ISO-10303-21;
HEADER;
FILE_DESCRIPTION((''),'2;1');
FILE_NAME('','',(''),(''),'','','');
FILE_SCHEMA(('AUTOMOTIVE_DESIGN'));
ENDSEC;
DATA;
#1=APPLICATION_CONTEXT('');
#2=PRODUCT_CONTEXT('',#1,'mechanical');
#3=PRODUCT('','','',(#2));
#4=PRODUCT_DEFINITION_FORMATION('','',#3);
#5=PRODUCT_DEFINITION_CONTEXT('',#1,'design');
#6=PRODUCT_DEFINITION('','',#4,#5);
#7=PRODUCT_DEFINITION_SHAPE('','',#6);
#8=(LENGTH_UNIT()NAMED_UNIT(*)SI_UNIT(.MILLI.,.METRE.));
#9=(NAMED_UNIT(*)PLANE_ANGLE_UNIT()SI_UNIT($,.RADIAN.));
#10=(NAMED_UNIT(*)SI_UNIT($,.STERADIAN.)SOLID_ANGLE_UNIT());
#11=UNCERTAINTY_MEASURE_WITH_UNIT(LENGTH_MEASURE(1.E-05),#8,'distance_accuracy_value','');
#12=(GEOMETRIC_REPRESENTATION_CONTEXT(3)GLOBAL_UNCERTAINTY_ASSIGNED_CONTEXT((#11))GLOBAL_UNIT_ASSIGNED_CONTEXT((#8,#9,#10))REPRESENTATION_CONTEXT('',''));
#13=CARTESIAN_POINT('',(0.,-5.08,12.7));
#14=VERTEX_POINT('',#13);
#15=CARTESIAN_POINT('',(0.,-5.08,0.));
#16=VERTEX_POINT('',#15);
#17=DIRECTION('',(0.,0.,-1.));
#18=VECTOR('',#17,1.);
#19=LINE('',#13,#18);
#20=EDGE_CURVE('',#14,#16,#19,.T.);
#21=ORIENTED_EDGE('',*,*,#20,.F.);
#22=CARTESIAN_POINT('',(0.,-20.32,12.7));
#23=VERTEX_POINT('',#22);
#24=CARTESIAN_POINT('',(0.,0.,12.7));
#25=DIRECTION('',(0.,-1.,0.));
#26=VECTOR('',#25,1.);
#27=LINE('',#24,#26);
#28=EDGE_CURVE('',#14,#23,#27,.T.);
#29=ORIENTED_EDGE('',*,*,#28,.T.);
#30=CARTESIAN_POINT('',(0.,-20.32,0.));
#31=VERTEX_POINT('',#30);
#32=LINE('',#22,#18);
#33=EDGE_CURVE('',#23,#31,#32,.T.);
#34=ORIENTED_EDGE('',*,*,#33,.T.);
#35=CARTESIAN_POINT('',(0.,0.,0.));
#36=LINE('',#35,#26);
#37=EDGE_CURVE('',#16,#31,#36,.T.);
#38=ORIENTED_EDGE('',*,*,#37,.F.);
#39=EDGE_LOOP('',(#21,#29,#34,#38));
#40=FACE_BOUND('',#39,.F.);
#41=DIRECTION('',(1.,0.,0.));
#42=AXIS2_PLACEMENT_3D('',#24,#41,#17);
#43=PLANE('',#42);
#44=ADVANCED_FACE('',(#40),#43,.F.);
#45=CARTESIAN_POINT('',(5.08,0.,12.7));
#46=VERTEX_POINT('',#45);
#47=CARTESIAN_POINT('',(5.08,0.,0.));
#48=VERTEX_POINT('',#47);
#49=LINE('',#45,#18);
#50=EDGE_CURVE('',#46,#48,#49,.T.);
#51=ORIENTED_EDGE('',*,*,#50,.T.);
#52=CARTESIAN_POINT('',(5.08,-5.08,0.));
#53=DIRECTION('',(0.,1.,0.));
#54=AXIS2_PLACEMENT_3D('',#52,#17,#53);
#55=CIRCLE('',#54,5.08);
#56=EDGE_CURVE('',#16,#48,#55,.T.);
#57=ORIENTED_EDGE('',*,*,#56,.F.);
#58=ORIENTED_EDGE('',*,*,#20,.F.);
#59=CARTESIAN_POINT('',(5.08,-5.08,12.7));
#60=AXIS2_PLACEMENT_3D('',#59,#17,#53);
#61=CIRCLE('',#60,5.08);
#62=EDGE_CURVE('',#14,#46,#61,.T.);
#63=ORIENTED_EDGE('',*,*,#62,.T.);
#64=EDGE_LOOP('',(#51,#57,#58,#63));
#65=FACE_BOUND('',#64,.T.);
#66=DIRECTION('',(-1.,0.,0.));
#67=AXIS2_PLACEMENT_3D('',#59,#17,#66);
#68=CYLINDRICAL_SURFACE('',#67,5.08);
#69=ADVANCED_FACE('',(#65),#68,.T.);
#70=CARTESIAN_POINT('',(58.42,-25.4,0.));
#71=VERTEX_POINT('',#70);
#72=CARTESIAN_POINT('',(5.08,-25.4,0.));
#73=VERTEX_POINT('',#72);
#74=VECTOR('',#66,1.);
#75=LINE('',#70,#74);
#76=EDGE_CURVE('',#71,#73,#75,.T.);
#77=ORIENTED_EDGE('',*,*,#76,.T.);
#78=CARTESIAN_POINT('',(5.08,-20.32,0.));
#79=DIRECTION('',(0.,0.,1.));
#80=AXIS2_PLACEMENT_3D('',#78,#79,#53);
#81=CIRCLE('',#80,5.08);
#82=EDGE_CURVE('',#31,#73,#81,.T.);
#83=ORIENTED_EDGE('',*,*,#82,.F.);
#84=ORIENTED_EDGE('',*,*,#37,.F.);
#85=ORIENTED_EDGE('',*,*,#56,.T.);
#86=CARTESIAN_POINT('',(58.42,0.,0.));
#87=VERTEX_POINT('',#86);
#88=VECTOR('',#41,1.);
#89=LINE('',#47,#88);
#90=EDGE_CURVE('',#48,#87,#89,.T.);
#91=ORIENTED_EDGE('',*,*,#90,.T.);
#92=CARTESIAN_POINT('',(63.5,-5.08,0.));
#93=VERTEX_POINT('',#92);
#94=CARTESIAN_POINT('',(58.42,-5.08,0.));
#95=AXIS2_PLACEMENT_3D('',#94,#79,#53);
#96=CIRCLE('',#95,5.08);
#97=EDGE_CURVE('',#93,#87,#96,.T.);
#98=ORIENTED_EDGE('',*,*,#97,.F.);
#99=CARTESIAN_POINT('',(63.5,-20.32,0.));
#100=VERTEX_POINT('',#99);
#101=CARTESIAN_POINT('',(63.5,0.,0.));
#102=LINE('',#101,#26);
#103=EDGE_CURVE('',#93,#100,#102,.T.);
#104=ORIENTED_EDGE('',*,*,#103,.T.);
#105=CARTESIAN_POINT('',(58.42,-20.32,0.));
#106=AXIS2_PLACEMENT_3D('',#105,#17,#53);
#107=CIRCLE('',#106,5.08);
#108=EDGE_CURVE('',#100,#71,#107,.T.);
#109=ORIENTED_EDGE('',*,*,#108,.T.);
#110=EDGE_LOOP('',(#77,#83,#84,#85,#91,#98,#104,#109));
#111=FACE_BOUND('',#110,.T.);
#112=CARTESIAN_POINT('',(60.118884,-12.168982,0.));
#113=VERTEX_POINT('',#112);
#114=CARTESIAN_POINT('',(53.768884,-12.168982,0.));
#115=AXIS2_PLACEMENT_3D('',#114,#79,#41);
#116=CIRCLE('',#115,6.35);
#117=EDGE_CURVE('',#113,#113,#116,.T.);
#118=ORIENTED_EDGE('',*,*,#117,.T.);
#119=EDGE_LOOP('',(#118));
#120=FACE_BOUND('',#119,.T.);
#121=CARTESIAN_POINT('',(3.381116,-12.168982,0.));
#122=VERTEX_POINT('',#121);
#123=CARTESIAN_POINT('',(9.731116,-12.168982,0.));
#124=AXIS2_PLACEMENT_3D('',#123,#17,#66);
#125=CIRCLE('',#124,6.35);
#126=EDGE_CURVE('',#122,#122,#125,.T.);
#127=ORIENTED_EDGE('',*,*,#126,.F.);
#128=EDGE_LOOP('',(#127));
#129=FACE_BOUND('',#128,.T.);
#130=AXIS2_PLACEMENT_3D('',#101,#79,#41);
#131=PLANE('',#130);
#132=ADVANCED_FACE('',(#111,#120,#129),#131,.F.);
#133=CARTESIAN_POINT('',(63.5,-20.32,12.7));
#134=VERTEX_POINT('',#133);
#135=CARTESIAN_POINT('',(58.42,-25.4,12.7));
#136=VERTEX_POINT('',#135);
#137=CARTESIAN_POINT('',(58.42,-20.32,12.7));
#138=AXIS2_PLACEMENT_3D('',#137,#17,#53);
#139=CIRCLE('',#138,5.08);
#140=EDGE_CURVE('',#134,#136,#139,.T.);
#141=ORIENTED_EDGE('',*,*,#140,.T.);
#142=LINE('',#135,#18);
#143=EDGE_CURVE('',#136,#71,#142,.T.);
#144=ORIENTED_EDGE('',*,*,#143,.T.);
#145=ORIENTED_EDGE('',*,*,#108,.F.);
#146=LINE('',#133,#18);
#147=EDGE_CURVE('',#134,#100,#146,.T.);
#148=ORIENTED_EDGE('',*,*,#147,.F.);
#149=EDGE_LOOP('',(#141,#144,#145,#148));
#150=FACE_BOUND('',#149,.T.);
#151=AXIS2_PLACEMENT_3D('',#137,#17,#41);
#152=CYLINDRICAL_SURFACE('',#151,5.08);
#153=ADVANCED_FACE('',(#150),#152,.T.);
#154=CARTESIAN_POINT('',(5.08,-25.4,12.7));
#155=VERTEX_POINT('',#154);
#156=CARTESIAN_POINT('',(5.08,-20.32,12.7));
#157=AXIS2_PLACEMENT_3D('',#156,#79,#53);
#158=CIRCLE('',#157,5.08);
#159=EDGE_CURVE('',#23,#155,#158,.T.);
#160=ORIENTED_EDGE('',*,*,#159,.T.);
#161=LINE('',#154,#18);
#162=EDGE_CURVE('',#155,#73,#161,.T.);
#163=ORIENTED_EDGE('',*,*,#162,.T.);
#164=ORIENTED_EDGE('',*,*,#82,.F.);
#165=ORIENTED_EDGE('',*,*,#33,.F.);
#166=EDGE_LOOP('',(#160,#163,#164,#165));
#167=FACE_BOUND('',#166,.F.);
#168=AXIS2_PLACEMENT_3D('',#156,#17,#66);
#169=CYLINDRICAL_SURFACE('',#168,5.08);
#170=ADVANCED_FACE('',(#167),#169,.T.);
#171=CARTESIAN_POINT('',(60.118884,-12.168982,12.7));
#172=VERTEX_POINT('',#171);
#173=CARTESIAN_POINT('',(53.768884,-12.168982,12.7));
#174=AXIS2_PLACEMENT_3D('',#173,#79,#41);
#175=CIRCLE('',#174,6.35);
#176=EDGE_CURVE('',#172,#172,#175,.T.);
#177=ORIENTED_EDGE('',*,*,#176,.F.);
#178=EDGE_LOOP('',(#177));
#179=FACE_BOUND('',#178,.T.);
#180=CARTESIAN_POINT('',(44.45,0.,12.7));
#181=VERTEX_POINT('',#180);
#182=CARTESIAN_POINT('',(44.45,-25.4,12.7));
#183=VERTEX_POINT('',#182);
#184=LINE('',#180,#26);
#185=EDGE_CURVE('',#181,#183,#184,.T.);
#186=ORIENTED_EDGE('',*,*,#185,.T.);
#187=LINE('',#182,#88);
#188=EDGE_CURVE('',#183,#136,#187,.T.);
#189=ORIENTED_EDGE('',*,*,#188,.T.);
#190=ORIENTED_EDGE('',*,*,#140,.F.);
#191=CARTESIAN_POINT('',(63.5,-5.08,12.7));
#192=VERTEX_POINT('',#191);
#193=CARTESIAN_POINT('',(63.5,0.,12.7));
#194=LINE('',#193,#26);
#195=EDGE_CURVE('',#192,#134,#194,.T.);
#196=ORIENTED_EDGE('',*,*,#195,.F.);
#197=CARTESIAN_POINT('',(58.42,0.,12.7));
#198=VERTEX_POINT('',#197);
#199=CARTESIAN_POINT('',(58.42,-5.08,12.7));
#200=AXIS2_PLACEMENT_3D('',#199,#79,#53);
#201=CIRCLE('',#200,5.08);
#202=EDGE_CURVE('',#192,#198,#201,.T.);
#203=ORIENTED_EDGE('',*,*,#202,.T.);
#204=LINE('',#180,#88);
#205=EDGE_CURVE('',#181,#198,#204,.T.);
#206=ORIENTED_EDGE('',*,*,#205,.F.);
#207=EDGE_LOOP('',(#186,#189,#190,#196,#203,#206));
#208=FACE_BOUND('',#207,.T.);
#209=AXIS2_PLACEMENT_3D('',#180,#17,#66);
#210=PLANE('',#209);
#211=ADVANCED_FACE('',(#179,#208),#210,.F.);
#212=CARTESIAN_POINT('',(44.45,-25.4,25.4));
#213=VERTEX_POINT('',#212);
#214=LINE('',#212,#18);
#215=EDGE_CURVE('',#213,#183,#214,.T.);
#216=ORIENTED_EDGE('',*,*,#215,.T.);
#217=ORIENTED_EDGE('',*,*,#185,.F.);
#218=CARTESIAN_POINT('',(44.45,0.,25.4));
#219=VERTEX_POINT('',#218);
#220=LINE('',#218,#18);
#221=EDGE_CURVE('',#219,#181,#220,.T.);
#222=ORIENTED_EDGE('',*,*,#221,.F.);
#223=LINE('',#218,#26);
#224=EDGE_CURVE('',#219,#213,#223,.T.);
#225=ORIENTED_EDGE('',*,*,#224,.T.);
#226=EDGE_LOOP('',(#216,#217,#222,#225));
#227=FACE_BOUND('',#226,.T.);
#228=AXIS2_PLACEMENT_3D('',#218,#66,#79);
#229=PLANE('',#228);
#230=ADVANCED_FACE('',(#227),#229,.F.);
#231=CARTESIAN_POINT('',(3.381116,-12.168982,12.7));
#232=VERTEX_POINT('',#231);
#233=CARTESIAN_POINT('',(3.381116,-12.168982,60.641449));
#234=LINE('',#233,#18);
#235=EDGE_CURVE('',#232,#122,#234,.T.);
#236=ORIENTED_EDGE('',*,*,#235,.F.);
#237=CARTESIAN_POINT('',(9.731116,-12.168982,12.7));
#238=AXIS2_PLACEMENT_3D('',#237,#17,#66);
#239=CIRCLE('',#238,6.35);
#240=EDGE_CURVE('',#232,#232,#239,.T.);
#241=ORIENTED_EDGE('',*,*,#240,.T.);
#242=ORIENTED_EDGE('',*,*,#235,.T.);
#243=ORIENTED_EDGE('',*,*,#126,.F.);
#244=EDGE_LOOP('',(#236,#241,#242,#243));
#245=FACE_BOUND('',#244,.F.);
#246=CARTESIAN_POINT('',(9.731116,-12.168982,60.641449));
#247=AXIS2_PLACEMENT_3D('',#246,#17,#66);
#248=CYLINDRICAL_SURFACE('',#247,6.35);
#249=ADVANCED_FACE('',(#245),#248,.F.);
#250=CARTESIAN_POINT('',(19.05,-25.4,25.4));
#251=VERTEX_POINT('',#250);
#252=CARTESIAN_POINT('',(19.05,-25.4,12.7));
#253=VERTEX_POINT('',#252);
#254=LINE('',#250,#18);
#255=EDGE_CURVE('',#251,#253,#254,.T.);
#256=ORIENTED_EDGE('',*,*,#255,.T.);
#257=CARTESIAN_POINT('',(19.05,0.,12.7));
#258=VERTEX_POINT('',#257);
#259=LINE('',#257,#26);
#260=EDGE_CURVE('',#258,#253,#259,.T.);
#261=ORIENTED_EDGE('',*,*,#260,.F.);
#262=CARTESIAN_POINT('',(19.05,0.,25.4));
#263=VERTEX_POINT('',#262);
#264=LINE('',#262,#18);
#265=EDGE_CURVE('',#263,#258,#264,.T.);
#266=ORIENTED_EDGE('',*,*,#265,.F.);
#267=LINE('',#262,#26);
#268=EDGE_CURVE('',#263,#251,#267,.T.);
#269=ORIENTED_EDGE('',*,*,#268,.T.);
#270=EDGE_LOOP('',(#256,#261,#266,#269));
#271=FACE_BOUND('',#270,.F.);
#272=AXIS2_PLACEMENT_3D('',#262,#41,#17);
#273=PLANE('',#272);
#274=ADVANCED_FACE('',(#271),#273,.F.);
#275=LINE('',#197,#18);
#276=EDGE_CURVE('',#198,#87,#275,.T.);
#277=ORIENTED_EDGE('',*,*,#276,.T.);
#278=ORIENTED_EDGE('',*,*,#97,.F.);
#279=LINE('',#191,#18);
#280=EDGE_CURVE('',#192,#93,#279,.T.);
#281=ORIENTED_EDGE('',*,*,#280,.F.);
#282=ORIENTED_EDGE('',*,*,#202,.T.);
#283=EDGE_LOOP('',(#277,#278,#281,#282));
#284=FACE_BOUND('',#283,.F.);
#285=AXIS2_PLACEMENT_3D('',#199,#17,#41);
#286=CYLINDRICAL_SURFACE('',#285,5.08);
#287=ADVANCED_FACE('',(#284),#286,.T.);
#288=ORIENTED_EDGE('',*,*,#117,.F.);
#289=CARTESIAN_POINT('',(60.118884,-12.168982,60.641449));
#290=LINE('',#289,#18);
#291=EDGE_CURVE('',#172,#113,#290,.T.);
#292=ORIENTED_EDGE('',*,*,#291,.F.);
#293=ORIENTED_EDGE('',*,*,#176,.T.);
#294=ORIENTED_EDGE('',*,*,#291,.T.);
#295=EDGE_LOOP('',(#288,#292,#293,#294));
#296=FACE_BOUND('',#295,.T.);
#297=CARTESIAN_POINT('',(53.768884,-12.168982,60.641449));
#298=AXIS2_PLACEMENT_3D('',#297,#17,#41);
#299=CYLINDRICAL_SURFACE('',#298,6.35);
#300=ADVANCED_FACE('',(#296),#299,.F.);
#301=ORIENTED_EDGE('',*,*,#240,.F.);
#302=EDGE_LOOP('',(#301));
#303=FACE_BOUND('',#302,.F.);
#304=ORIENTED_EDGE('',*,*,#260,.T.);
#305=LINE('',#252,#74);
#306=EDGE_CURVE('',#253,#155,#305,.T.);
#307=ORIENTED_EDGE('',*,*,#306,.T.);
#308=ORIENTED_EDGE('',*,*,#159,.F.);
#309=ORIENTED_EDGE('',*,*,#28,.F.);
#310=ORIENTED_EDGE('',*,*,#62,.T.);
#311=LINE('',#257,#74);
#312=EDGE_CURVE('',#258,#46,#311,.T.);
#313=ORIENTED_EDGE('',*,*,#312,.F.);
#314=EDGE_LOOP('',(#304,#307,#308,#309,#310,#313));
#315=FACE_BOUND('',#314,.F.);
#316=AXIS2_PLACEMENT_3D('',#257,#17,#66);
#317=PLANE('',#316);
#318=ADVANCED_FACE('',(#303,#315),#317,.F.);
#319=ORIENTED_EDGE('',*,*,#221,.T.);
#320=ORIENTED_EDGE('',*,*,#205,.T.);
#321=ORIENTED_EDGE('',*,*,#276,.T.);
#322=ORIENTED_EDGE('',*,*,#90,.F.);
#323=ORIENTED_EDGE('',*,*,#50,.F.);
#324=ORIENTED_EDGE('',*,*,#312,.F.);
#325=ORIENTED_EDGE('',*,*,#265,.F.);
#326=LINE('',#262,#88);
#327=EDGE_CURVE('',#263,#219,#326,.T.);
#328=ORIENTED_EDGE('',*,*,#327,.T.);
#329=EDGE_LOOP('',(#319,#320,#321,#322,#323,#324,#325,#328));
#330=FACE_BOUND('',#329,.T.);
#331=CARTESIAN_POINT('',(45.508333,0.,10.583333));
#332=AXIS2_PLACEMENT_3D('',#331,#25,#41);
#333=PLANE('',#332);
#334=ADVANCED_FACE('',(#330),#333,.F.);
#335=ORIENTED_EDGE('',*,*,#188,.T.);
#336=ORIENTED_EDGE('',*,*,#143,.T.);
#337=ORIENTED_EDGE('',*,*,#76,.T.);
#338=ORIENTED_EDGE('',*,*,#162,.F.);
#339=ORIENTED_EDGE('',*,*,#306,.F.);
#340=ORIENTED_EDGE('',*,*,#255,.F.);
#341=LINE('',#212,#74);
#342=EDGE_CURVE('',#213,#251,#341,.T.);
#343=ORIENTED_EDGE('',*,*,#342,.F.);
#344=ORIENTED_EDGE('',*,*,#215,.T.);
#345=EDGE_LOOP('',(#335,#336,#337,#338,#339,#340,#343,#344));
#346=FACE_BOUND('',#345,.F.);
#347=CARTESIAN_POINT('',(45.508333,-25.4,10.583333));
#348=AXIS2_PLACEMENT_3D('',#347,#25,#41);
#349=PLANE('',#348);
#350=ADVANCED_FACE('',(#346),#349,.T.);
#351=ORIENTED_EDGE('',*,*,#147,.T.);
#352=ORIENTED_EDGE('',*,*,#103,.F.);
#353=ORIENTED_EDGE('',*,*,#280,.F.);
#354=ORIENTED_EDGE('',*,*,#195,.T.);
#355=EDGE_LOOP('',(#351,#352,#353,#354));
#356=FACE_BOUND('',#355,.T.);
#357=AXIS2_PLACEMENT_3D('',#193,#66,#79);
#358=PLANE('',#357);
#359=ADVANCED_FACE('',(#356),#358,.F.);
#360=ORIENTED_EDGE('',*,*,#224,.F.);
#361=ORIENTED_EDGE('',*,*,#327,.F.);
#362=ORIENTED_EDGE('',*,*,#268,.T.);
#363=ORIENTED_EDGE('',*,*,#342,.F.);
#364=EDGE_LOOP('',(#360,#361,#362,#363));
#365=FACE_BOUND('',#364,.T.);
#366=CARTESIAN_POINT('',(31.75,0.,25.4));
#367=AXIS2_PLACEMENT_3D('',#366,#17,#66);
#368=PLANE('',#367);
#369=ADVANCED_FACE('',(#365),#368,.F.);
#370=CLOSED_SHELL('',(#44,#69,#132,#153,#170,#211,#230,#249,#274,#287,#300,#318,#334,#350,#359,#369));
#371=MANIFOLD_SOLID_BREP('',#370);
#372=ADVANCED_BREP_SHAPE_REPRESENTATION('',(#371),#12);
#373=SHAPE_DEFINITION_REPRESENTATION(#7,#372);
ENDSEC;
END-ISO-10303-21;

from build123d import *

# Parameters (mm, degrees)
F1_DEPTH = 25.4
F2_R     = 5.08
F3_R     = 5.08
F5_D     = 12.7


with BuildPart() as f1:
    # F0 (on Front) → F1 (new body)
    with BuildSketch(Plane.XZ):
        Polygon((0, 12.7), (0, 0), (31.75, 0), (31.75, 25.4), (19.05, 25.4), (19.05, 12.7), align=None)
    extrude(amount=F1_DEPTH)

    # F2
    f2_edges = [f1.edges().sort_by_distance(p)[0] for p in [
        (0, -25.4, 6.35),
    ]]
    fillet(f2_edges, radius=F2_R)

    # F3
    f3_edges = [f1.edges().sort_by_distance(p)[0] for p in [
        (0, 0, 6.35),
    ]]
    fillet(f3_edges, radius=F3_R)

    # F5 (through all)
    with Locations(Plane.XY.offset(12.7)):
        with Locations((9.731116, -12.168982)):
            Hole(F5_D / 2)

    # F6: F1 across face


with BuildPart() as f1_1:
    add(f1.part)
    add(f1.part.mirror(Plane(origin=(31.75, -12.7, 12.7), x_dir=(0, 1, 0), z_dir=(1, 0, 0))))


solid = f1_1.part
